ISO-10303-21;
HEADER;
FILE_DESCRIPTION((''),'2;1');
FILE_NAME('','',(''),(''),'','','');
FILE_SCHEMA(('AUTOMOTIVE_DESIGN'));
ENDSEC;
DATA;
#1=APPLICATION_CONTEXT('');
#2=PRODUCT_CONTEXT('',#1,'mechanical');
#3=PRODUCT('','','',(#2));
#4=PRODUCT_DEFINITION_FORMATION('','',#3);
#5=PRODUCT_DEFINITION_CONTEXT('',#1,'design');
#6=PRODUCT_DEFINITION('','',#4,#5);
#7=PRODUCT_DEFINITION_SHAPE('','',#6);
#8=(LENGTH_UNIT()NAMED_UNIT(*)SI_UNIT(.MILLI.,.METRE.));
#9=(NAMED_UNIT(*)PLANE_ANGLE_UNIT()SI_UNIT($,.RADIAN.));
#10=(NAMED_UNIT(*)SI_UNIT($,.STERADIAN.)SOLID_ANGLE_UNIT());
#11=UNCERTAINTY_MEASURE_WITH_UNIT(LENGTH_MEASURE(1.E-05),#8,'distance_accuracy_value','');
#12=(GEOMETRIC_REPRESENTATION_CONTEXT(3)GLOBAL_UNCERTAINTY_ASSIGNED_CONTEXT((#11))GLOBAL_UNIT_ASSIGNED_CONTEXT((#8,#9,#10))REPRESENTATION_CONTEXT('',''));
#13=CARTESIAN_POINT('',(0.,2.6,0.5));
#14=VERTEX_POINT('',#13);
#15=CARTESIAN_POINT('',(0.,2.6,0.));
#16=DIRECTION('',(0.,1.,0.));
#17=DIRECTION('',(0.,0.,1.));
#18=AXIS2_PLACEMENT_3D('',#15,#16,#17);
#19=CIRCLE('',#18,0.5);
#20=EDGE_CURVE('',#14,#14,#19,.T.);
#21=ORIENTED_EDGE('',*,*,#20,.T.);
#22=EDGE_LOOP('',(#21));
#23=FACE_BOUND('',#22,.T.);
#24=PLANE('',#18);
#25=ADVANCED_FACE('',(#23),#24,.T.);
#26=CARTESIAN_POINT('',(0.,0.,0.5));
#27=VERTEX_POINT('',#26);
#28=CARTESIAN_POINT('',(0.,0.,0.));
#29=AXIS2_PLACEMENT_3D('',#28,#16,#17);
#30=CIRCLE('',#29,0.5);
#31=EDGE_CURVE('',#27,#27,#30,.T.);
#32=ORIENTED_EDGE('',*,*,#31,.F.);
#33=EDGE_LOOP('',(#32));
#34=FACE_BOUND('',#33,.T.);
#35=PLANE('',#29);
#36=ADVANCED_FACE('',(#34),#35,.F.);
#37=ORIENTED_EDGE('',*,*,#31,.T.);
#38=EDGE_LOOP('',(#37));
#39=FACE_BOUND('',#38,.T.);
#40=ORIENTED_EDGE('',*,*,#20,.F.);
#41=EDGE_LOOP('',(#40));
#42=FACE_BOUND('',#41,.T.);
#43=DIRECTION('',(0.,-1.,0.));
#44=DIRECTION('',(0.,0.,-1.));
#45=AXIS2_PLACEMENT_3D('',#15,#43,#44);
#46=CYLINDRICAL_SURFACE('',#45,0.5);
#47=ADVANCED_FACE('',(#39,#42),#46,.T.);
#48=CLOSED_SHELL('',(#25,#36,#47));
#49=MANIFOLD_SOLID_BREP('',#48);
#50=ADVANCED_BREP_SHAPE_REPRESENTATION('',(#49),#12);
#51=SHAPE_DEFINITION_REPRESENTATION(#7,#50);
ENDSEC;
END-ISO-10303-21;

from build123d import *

# Parameters (mm, degrees)
SKETCH1_R           = 0.5
BOSS_EXTRUDE1_DEPTH = 2.6


with BuildPart() as part:
    # Sketch1 → Boss-Extrude1 (new body)
    with BuildSketch(Plane(origin=(0, 0, 0), x_dir=(1, 0, 0), z_dir=(0, 1, 0))):
        Circle(SKETCH1_R)
    extrude(amount=BOSS_EXTRUDE1_DEPTH)


solid = part.part
